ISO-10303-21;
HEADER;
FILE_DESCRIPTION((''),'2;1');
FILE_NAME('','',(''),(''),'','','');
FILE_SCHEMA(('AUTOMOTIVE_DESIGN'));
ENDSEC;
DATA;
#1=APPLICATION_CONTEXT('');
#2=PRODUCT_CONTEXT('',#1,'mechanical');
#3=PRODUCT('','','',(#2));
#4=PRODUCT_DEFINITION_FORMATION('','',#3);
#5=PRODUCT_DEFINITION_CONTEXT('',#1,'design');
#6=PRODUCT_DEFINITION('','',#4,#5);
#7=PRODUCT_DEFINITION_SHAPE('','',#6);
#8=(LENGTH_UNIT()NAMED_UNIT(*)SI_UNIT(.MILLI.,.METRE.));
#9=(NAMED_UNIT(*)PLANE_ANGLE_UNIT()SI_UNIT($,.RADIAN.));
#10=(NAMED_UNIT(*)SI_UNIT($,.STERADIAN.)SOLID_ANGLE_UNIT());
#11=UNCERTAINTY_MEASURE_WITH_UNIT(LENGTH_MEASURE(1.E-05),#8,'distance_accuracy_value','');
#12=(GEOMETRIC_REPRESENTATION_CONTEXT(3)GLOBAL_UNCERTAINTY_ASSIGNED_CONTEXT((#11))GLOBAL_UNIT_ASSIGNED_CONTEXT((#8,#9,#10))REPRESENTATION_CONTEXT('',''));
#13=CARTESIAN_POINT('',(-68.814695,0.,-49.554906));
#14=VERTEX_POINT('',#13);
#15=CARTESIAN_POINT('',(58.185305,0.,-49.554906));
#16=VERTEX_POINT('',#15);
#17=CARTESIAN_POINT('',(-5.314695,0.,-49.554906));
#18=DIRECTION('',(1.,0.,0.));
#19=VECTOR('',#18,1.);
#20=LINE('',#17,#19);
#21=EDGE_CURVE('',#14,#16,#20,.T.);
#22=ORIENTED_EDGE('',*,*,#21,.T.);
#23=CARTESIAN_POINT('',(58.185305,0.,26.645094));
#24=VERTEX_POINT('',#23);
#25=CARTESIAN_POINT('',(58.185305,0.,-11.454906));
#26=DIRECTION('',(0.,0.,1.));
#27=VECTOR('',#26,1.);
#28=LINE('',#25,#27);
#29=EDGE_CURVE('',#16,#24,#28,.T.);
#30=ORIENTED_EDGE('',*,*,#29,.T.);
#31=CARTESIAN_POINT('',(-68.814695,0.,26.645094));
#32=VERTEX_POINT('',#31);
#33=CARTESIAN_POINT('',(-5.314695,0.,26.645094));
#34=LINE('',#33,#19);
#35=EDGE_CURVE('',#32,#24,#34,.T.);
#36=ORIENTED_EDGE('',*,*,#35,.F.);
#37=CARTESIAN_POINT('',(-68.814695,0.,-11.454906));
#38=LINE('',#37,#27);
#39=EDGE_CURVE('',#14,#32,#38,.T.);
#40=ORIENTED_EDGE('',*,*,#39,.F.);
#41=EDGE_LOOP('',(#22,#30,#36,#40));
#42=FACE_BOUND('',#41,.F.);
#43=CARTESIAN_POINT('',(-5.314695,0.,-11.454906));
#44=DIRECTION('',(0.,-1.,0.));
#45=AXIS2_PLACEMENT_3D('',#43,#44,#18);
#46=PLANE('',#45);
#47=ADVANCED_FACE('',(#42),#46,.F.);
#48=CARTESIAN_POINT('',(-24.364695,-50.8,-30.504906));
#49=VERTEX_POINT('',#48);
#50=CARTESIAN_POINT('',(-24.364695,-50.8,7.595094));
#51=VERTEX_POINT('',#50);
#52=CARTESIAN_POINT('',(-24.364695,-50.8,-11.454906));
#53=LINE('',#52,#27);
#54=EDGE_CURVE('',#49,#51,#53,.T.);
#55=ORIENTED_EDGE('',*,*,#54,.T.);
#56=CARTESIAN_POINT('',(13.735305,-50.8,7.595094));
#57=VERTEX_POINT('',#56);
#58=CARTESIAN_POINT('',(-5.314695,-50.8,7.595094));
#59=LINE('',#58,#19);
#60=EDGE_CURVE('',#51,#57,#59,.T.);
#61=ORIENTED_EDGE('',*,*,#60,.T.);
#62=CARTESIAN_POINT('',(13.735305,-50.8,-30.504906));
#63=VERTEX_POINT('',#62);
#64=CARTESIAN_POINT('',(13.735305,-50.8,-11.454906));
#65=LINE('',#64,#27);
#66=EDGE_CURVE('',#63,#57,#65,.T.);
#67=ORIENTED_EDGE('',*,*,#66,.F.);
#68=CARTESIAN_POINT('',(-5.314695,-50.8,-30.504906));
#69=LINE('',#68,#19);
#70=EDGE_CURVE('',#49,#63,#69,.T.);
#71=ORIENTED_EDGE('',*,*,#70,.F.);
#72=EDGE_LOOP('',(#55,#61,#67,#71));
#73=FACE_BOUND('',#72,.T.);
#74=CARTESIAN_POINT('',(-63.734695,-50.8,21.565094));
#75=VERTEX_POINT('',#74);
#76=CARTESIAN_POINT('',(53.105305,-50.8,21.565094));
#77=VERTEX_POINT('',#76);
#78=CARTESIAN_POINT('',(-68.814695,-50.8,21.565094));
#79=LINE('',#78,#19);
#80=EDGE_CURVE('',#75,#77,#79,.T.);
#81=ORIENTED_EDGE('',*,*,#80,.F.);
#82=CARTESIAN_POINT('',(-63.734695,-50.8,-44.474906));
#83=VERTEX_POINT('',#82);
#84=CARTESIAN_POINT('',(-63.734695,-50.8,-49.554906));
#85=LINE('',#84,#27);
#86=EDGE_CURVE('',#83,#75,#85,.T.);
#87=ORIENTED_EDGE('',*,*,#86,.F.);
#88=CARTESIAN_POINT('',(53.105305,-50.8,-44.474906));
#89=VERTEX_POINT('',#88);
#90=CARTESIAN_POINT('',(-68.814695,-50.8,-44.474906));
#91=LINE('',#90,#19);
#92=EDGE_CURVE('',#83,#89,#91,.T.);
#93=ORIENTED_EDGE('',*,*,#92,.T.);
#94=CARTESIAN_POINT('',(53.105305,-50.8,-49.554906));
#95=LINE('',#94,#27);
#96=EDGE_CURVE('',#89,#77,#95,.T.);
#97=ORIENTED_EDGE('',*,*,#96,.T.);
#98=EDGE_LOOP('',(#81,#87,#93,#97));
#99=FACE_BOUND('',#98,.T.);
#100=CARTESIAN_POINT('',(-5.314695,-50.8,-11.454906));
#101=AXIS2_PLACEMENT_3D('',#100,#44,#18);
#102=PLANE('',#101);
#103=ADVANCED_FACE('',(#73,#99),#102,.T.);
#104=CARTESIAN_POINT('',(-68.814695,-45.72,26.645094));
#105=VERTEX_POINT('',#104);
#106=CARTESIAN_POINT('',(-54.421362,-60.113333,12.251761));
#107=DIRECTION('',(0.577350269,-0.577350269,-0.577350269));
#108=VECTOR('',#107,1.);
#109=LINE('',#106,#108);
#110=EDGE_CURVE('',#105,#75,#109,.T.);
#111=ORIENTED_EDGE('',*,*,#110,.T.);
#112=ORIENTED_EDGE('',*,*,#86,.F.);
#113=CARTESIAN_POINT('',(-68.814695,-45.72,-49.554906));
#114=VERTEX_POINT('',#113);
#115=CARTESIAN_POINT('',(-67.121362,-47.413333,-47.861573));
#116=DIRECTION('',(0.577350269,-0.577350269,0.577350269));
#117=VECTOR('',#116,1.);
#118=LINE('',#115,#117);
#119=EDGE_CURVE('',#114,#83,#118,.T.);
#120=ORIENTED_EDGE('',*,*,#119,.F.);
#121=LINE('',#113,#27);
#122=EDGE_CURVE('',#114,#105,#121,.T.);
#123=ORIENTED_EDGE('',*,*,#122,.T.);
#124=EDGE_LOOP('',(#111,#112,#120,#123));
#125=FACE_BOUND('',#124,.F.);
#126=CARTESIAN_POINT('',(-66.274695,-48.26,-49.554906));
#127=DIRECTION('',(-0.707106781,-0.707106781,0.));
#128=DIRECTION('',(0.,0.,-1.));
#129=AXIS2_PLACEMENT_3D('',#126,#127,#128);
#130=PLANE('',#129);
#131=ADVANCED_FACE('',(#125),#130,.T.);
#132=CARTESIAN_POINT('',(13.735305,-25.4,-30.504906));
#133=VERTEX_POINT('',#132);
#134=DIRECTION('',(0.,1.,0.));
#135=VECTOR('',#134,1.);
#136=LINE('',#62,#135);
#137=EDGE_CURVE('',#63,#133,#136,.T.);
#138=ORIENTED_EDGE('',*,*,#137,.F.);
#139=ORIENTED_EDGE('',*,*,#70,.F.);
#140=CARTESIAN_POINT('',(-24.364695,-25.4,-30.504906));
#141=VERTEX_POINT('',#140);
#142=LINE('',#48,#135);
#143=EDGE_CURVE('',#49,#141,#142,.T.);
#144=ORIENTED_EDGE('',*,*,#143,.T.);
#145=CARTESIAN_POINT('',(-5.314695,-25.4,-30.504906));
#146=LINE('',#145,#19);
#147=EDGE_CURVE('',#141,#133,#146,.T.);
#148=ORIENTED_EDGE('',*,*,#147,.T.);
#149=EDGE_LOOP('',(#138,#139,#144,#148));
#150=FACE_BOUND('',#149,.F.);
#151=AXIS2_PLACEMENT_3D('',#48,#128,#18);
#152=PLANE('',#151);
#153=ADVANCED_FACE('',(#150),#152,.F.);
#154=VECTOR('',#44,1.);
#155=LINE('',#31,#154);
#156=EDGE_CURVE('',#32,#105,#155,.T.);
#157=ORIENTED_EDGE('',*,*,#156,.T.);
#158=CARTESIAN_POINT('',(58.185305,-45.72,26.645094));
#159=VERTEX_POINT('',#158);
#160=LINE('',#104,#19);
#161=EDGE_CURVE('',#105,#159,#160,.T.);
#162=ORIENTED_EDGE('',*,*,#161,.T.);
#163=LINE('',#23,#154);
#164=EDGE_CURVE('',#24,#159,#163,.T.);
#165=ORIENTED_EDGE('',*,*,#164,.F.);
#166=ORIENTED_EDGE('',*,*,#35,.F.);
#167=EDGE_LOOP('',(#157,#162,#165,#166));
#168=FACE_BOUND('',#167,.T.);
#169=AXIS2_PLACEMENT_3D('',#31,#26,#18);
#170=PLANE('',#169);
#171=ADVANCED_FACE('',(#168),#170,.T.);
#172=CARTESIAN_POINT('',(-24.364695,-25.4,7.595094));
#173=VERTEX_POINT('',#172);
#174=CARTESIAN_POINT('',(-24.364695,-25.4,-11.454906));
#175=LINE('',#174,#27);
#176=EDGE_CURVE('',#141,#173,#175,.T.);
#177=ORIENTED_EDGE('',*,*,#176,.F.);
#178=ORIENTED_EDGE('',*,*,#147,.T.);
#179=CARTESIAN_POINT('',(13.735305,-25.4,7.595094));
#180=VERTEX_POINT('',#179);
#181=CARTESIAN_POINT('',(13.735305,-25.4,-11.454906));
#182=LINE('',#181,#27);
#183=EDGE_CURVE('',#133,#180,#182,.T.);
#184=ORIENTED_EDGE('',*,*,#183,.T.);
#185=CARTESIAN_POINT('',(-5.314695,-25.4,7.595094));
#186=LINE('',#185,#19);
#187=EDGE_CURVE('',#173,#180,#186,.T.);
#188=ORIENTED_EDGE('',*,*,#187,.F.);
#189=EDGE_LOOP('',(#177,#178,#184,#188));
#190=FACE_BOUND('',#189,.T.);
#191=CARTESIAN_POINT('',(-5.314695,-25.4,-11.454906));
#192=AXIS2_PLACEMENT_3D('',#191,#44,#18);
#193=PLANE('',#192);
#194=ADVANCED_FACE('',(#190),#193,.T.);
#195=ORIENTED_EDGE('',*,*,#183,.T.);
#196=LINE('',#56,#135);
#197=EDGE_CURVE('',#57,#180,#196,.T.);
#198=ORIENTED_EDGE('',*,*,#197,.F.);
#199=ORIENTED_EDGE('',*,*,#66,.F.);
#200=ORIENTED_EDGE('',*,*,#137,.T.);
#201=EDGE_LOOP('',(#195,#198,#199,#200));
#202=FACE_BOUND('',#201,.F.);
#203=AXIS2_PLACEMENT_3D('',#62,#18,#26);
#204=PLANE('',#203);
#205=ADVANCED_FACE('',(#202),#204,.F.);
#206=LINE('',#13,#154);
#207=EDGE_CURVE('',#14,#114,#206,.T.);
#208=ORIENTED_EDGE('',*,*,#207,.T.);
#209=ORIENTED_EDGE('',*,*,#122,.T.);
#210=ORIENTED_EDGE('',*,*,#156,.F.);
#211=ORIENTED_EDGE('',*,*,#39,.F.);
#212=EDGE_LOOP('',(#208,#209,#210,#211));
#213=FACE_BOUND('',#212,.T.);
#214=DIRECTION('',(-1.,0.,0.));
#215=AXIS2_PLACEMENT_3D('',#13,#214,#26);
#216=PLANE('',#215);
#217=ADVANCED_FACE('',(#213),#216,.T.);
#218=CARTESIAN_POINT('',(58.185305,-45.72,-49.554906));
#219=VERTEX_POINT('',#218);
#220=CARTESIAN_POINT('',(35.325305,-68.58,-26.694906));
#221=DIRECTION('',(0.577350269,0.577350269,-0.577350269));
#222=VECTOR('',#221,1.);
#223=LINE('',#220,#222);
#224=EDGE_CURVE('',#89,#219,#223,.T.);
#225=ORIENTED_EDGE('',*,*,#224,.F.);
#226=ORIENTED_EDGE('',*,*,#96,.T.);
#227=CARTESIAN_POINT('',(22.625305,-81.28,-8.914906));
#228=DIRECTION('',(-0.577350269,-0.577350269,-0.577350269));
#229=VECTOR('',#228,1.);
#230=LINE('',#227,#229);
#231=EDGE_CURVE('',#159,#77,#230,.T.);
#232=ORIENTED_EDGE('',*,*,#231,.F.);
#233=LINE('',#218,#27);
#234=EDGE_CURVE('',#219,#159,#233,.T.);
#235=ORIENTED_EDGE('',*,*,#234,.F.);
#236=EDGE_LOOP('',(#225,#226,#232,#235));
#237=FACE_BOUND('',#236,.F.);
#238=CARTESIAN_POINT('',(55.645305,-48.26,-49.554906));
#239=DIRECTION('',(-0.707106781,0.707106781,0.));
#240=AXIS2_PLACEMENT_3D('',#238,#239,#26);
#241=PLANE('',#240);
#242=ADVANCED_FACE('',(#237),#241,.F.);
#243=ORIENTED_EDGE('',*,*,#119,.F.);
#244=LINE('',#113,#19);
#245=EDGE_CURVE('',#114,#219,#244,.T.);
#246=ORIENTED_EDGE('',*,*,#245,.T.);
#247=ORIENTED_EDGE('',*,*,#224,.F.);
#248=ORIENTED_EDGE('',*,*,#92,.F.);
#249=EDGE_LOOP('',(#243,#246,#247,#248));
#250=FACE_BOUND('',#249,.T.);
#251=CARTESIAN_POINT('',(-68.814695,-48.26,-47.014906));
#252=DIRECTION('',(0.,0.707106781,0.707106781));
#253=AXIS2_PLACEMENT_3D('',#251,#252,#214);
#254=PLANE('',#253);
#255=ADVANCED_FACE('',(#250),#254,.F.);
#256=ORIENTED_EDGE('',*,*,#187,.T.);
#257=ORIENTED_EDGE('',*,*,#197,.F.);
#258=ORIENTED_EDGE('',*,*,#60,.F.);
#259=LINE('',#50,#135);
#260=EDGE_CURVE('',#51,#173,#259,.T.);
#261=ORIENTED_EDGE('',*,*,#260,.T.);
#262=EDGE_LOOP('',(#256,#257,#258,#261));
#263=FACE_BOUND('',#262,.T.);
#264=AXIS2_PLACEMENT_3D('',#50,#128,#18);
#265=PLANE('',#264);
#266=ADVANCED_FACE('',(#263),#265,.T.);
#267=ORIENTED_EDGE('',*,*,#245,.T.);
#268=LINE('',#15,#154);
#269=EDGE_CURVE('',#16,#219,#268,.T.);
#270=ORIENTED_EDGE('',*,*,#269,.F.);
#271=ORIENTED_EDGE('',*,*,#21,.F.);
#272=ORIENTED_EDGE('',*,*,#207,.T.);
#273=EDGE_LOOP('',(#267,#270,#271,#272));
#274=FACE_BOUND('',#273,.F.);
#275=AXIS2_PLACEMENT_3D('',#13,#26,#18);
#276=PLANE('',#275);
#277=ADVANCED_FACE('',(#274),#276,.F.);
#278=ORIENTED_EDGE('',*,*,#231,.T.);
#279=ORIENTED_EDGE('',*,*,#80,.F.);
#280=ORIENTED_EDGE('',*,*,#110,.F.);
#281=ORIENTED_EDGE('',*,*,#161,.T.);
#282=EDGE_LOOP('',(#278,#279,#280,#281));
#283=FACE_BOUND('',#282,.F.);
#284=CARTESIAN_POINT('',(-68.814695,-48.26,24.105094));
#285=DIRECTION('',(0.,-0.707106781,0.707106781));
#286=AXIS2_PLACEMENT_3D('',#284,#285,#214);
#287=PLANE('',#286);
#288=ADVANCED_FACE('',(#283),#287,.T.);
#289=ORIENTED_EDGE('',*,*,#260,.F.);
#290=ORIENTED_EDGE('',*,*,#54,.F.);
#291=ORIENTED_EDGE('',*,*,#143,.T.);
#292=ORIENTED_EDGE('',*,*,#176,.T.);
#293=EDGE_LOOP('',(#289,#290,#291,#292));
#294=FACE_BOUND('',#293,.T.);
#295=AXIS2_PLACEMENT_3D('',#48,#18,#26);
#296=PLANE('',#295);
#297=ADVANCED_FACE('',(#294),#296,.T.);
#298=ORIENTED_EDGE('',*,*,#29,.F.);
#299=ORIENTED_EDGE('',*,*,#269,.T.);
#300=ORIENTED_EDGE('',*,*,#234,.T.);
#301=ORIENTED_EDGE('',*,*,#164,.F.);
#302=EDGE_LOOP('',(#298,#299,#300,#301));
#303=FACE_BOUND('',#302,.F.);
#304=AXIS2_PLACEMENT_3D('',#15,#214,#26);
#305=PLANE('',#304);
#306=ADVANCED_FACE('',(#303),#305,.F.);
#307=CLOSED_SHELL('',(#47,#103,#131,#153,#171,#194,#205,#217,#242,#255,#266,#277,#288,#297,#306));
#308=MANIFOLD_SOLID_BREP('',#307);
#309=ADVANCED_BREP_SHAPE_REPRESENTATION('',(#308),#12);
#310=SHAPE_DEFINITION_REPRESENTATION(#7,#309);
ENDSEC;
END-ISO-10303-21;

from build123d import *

# Parameters (mm, degrees)
F0_W     = 127
F0_H     = 76.2
F1_DEPTH = 50.8
F2_W     = 38.1
F2_H     = 38.1
F3_DEPTH = 25.4
F4_SIZE  = 5.08


with BuildPart() as f1:
    # F0 (on Front) → F1 (new body)
    with BuildSketch(Plane.XZ):
        with Locations((-5.314695, -11.454906)):
            Rectangle(F0_W, F0_H)
    extrude(amount=F1_DEPTH)

    # F2 (on face) → F3 (cut)
    with BuildSketch(Plane.XZ.offset(50.8)):
        with Locations((-5.314695, -11.454906)):
            Rectangle(F2_W, F2_H)
    extrude(amount=-F3_DEPTH, mode=Mode.SUBTRACT)

    # F4
    f4_edges = [f1.edges().sort_by_distance(p)[0] for p in [
        (-5.314695, -50.8, 26.645094),
        (58.185305, -50.8, -11.454906),
        (-5.314695, -50.8, -49.554906),
        (-68.814695, -50.8, -11.454906),
    ]]
    chamfer(f4_edges, length=F4_SIZE)


solid = f1.part
